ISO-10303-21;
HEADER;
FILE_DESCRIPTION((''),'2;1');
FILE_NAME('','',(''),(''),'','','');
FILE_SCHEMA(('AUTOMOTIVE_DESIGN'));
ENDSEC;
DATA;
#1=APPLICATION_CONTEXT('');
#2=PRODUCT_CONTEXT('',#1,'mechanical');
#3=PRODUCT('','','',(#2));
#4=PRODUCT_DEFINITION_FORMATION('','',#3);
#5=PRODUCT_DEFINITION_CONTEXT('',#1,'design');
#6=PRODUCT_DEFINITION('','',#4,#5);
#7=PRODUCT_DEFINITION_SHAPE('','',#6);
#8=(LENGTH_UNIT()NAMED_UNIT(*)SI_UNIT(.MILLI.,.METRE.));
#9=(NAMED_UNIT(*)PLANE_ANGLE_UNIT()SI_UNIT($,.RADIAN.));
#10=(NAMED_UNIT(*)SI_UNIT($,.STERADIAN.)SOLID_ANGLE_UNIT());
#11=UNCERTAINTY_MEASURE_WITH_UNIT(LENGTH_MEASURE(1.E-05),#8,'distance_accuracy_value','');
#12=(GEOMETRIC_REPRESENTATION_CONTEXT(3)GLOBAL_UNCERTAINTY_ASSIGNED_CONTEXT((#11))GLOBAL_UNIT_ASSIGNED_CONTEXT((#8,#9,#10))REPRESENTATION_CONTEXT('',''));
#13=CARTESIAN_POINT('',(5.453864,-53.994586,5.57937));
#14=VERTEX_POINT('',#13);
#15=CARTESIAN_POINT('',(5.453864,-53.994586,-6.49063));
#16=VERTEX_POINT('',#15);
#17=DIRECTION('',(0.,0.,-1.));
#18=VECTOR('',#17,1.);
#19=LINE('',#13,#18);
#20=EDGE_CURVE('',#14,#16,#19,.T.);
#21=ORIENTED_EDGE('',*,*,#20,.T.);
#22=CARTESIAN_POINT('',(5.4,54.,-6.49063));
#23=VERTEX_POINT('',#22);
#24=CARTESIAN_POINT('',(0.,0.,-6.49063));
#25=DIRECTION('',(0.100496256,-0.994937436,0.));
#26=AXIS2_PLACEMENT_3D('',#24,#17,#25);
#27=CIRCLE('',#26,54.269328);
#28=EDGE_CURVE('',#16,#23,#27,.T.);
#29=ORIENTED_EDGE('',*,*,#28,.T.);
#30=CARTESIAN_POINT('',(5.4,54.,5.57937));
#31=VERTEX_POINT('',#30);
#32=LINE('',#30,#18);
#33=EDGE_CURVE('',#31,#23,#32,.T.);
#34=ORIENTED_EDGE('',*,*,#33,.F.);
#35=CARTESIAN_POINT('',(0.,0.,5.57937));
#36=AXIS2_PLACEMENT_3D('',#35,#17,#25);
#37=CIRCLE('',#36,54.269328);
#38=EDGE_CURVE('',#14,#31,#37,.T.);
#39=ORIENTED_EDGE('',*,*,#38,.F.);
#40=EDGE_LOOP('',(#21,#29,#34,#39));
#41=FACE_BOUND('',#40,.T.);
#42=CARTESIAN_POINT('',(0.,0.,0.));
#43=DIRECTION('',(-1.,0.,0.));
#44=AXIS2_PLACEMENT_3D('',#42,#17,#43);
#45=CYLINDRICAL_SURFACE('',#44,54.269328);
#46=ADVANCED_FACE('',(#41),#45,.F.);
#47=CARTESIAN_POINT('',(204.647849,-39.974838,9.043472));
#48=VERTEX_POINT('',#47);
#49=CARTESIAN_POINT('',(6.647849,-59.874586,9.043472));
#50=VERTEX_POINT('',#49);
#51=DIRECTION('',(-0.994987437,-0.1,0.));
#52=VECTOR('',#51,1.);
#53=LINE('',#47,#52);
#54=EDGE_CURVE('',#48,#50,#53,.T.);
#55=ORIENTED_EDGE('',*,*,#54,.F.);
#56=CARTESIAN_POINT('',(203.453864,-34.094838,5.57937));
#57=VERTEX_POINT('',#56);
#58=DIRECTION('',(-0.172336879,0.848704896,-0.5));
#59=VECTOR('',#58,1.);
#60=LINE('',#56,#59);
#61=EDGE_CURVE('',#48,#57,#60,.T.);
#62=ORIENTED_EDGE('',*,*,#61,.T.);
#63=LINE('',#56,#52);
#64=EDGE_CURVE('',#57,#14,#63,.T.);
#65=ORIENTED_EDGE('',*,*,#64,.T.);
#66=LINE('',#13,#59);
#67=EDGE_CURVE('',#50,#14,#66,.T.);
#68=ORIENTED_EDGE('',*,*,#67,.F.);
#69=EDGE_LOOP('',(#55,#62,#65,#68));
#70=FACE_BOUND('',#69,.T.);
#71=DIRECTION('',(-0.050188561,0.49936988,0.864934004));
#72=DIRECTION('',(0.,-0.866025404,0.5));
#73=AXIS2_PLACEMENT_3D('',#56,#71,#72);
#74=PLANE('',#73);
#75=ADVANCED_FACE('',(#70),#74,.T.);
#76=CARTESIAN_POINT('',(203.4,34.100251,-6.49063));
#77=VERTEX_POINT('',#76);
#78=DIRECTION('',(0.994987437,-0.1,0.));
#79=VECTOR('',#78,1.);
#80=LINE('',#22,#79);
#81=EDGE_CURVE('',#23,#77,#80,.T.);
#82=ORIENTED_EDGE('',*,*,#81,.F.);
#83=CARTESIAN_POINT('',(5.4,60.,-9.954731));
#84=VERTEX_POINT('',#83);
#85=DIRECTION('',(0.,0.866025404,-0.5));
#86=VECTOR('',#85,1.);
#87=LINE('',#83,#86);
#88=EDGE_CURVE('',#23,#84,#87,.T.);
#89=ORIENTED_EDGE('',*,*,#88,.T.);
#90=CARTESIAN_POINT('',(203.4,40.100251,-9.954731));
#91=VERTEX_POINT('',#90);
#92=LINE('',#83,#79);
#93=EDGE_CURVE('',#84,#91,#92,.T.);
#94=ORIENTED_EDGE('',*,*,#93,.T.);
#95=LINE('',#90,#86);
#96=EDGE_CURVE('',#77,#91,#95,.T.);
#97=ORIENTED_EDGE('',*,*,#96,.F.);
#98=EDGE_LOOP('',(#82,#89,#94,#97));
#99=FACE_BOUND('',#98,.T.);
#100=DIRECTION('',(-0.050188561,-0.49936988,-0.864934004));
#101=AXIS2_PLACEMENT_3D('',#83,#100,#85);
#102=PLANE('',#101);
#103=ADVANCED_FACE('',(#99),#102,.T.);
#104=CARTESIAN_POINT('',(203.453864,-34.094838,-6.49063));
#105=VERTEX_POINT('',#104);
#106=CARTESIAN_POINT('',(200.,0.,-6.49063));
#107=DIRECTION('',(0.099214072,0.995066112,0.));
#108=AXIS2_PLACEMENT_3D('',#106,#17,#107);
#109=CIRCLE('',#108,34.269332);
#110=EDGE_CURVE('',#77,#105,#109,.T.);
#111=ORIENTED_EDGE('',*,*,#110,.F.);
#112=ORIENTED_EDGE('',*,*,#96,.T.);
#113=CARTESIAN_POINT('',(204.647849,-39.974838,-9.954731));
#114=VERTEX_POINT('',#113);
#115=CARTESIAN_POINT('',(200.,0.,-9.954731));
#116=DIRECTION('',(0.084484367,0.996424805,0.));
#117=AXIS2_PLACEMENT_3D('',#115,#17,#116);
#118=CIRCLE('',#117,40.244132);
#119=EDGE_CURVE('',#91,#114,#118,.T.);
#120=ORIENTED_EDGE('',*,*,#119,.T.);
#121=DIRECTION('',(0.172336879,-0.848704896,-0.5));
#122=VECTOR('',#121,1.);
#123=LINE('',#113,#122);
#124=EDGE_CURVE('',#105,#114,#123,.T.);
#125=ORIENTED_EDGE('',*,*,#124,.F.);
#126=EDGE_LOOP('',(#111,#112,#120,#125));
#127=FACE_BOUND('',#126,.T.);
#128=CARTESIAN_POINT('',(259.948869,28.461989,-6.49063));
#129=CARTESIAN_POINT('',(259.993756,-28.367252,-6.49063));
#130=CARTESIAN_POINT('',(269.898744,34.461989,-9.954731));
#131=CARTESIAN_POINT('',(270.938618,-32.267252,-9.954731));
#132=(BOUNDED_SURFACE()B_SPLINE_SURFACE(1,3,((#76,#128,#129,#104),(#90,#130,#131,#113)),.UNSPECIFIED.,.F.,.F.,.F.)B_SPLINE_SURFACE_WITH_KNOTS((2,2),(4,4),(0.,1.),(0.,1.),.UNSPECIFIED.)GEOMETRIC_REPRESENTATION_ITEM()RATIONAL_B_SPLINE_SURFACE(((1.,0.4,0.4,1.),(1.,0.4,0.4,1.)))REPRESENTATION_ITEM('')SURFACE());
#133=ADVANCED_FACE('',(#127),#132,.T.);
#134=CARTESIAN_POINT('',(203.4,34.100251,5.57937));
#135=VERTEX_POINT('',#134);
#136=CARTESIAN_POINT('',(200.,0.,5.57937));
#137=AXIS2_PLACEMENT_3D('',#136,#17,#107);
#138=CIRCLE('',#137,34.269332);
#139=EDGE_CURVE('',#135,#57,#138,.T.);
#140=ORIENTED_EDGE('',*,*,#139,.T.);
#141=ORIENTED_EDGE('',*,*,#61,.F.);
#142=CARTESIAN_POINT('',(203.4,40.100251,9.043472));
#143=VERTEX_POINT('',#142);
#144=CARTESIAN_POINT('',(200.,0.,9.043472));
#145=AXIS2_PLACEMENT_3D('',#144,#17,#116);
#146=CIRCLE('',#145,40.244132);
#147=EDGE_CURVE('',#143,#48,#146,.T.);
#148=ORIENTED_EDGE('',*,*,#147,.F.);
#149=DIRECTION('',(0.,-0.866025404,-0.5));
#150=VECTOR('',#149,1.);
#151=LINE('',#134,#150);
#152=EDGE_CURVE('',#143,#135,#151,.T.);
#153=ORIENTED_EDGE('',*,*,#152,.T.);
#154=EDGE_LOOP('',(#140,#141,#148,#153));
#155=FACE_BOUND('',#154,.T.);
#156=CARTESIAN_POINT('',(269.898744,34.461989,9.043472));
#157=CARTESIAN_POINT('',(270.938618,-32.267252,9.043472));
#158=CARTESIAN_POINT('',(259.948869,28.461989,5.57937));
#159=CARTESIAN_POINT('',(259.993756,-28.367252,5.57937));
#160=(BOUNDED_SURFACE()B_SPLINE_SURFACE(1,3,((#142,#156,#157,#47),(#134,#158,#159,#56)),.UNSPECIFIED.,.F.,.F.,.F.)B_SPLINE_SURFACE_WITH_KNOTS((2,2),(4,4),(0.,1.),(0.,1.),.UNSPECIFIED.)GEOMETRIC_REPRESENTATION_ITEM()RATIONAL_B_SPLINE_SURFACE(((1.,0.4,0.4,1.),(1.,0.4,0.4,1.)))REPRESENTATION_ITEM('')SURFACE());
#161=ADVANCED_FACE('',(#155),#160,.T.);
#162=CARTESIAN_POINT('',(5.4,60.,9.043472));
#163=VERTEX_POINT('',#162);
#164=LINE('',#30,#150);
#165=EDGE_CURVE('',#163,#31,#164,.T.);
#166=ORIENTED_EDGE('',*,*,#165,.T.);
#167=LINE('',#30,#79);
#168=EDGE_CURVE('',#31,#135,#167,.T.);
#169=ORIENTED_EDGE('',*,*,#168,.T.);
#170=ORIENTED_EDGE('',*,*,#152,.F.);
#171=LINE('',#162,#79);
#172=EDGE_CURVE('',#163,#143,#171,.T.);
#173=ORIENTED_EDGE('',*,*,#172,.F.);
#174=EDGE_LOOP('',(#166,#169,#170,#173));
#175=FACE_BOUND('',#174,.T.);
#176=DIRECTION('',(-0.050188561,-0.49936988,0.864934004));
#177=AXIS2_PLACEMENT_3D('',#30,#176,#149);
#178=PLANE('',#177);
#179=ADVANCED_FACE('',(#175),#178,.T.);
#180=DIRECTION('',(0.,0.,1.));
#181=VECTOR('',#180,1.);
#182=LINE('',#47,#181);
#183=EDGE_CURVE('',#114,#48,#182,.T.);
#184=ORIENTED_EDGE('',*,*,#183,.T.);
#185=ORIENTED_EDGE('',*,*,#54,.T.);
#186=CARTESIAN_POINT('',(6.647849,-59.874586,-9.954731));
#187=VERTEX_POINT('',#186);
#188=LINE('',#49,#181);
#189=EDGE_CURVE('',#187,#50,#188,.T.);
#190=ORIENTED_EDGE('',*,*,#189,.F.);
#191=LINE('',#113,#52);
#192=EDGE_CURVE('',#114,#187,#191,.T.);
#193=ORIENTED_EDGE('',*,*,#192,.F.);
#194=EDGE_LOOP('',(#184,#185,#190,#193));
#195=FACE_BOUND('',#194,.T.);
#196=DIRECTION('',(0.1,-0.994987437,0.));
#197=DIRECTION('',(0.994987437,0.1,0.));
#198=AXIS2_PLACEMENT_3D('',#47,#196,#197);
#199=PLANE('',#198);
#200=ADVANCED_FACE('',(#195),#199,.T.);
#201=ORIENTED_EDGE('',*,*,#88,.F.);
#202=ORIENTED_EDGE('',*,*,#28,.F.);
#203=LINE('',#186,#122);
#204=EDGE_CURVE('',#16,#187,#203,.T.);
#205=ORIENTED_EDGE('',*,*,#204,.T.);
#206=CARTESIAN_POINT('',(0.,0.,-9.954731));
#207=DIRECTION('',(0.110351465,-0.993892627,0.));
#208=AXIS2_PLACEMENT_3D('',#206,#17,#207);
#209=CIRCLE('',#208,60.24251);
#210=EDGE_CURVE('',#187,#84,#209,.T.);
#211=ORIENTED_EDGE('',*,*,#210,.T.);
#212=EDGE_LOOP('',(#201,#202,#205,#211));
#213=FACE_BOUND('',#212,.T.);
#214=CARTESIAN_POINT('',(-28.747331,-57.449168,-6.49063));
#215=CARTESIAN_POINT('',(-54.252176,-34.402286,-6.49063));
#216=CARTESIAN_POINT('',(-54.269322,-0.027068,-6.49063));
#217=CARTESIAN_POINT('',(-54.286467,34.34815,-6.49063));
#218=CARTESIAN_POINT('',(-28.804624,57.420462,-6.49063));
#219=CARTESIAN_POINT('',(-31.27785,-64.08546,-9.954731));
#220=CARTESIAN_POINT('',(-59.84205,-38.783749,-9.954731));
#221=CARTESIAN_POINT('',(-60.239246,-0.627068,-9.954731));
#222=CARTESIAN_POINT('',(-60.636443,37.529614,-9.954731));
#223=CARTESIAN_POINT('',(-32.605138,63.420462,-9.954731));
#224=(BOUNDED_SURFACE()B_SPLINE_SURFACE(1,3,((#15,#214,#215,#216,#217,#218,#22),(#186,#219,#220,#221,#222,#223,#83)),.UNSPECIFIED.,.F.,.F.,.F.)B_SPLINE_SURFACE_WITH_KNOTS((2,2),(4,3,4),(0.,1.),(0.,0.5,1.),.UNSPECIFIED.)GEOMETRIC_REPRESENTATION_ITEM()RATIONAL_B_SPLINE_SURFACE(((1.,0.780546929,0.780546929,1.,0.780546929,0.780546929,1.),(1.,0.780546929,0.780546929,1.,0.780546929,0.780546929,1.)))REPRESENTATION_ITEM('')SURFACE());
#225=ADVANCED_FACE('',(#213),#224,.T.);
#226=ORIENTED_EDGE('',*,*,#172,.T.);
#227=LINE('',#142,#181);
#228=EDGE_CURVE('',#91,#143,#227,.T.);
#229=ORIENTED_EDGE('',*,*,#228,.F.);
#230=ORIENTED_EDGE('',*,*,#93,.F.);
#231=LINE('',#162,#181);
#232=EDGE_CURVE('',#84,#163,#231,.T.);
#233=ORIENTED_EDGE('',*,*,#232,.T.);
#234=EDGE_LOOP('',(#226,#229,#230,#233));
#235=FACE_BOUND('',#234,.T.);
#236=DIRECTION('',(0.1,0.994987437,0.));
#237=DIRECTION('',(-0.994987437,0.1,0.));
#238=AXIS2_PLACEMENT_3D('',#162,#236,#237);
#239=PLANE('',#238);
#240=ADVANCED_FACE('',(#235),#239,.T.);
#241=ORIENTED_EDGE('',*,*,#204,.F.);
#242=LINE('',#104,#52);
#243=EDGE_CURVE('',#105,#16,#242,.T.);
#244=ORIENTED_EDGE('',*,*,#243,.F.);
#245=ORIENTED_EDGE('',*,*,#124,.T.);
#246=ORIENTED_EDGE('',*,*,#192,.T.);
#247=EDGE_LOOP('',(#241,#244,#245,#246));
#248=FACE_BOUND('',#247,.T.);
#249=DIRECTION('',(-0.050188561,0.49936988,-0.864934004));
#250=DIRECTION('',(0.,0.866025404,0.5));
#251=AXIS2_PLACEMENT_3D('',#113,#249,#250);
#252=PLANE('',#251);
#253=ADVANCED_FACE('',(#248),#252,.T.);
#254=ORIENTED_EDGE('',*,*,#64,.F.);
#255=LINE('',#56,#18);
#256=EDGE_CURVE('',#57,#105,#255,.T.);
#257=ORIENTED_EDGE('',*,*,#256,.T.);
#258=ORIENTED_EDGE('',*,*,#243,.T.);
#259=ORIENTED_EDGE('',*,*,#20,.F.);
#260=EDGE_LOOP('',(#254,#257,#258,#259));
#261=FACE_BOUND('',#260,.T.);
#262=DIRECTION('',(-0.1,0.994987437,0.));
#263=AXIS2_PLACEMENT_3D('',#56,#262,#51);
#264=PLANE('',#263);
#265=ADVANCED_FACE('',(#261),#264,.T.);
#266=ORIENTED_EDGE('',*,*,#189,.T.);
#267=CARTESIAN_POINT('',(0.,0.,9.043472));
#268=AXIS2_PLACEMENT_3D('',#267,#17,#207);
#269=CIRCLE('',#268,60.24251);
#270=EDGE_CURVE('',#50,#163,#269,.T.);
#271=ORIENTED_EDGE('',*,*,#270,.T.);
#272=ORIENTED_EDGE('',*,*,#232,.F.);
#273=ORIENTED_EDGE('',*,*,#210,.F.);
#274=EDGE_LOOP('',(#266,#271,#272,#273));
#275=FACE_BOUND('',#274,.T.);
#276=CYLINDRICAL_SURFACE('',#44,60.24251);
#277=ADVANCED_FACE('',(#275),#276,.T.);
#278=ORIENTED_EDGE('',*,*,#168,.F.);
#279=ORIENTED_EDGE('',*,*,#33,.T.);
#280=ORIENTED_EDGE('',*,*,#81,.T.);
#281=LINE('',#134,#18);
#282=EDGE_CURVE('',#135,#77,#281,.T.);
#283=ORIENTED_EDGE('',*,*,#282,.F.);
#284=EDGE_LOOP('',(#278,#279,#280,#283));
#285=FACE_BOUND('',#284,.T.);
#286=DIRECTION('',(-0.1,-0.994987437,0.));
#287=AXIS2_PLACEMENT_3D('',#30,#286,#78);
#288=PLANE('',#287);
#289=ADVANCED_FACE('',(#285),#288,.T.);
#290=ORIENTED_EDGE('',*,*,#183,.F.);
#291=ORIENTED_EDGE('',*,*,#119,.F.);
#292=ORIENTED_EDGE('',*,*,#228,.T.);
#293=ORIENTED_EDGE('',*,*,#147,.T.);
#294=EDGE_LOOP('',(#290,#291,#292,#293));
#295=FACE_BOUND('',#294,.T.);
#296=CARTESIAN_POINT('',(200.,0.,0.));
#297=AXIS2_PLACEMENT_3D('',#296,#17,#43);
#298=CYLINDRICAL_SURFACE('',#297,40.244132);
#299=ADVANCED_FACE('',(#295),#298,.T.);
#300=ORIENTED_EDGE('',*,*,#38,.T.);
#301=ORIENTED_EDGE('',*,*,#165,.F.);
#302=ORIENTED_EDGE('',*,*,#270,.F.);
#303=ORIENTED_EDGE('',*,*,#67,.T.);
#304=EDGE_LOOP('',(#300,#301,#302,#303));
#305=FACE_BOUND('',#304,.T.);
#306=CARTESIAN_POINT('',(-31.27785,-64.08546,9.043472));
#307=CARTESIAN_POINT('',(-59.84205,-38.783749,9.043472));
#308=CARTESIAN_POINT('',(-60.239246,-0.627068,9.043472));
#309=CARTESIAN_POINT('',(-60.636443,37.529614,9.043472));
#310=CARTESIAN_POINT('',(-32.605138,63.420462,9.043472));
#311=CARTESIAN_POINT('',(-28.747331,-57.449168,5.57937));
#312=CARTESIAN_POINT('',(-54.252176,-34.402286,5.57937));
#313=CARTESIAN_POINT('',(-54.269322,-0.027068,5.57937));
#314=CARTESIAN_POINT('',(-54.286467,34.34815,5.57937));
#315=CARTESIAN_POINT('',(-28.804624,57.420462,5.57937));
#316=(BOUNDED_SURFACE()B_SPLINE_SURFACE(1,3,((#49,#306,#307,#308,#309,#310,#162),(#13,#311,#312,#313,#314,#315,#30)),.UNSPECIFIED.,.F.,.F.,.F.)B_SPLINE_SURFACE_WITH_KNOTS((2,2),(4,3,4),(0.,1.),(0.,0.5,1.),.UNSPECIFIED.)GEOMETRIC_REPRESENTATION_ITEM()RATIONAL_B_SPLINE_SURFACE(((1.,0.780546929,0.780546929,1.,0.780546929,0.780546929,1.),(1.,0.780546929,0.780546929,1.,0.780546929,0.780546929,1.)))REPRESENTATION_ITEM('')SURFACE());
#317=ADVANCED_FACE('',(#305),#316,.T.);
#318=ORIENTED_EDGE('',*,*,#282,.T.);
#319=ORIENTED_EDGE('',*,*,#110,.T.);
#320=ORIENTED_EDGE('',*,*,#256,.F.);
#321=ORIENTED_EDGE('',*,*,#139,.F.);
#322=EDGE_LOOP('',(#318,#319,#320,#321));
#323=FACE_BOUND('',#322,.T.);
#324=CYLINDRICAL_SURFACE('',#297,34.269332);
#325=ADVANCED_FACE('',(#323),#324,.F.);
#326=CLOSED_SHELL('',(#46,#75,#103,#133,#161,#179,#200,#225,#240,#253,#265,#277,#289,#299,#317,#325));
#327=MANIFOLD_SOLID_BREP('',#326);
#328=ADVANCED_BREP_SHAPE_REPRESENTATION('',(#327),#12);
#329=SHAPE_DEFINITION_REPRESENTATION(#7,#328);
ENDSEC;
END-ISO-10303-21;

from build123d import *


with BuildPart() as part:
    # Sweep1: sweep along a path in Sketch2
    with BuildLine(Plane.XY) as sweep1_path:
        Line((5.4, 53.729321604), (203.4, 33.829572862))
        ThreePointArc((203.4, 33.829572862), (234, 0), (203.4, -33.829572862))
        Line((203.4, -33.829572862), (5.4, -53.729321604))
        ThreePointArc((5.4, -53.729321604), (-54, 0), (5.4, 53.729321604))
    # Sketch3 → Sweep1 (sweep)
    with BuildSketch(Plane(origin=(5.4, 0, 0), x_dir=(0, 0, -1), z_dir=(1, 0, 0))):
        Polygon((-5.579370292, 54), (6.490629708, 54), (9.954731324, 60), (-9.043471907, 60), align=None)
    sweep(path=sweep1_path.line)


solid = part.part
